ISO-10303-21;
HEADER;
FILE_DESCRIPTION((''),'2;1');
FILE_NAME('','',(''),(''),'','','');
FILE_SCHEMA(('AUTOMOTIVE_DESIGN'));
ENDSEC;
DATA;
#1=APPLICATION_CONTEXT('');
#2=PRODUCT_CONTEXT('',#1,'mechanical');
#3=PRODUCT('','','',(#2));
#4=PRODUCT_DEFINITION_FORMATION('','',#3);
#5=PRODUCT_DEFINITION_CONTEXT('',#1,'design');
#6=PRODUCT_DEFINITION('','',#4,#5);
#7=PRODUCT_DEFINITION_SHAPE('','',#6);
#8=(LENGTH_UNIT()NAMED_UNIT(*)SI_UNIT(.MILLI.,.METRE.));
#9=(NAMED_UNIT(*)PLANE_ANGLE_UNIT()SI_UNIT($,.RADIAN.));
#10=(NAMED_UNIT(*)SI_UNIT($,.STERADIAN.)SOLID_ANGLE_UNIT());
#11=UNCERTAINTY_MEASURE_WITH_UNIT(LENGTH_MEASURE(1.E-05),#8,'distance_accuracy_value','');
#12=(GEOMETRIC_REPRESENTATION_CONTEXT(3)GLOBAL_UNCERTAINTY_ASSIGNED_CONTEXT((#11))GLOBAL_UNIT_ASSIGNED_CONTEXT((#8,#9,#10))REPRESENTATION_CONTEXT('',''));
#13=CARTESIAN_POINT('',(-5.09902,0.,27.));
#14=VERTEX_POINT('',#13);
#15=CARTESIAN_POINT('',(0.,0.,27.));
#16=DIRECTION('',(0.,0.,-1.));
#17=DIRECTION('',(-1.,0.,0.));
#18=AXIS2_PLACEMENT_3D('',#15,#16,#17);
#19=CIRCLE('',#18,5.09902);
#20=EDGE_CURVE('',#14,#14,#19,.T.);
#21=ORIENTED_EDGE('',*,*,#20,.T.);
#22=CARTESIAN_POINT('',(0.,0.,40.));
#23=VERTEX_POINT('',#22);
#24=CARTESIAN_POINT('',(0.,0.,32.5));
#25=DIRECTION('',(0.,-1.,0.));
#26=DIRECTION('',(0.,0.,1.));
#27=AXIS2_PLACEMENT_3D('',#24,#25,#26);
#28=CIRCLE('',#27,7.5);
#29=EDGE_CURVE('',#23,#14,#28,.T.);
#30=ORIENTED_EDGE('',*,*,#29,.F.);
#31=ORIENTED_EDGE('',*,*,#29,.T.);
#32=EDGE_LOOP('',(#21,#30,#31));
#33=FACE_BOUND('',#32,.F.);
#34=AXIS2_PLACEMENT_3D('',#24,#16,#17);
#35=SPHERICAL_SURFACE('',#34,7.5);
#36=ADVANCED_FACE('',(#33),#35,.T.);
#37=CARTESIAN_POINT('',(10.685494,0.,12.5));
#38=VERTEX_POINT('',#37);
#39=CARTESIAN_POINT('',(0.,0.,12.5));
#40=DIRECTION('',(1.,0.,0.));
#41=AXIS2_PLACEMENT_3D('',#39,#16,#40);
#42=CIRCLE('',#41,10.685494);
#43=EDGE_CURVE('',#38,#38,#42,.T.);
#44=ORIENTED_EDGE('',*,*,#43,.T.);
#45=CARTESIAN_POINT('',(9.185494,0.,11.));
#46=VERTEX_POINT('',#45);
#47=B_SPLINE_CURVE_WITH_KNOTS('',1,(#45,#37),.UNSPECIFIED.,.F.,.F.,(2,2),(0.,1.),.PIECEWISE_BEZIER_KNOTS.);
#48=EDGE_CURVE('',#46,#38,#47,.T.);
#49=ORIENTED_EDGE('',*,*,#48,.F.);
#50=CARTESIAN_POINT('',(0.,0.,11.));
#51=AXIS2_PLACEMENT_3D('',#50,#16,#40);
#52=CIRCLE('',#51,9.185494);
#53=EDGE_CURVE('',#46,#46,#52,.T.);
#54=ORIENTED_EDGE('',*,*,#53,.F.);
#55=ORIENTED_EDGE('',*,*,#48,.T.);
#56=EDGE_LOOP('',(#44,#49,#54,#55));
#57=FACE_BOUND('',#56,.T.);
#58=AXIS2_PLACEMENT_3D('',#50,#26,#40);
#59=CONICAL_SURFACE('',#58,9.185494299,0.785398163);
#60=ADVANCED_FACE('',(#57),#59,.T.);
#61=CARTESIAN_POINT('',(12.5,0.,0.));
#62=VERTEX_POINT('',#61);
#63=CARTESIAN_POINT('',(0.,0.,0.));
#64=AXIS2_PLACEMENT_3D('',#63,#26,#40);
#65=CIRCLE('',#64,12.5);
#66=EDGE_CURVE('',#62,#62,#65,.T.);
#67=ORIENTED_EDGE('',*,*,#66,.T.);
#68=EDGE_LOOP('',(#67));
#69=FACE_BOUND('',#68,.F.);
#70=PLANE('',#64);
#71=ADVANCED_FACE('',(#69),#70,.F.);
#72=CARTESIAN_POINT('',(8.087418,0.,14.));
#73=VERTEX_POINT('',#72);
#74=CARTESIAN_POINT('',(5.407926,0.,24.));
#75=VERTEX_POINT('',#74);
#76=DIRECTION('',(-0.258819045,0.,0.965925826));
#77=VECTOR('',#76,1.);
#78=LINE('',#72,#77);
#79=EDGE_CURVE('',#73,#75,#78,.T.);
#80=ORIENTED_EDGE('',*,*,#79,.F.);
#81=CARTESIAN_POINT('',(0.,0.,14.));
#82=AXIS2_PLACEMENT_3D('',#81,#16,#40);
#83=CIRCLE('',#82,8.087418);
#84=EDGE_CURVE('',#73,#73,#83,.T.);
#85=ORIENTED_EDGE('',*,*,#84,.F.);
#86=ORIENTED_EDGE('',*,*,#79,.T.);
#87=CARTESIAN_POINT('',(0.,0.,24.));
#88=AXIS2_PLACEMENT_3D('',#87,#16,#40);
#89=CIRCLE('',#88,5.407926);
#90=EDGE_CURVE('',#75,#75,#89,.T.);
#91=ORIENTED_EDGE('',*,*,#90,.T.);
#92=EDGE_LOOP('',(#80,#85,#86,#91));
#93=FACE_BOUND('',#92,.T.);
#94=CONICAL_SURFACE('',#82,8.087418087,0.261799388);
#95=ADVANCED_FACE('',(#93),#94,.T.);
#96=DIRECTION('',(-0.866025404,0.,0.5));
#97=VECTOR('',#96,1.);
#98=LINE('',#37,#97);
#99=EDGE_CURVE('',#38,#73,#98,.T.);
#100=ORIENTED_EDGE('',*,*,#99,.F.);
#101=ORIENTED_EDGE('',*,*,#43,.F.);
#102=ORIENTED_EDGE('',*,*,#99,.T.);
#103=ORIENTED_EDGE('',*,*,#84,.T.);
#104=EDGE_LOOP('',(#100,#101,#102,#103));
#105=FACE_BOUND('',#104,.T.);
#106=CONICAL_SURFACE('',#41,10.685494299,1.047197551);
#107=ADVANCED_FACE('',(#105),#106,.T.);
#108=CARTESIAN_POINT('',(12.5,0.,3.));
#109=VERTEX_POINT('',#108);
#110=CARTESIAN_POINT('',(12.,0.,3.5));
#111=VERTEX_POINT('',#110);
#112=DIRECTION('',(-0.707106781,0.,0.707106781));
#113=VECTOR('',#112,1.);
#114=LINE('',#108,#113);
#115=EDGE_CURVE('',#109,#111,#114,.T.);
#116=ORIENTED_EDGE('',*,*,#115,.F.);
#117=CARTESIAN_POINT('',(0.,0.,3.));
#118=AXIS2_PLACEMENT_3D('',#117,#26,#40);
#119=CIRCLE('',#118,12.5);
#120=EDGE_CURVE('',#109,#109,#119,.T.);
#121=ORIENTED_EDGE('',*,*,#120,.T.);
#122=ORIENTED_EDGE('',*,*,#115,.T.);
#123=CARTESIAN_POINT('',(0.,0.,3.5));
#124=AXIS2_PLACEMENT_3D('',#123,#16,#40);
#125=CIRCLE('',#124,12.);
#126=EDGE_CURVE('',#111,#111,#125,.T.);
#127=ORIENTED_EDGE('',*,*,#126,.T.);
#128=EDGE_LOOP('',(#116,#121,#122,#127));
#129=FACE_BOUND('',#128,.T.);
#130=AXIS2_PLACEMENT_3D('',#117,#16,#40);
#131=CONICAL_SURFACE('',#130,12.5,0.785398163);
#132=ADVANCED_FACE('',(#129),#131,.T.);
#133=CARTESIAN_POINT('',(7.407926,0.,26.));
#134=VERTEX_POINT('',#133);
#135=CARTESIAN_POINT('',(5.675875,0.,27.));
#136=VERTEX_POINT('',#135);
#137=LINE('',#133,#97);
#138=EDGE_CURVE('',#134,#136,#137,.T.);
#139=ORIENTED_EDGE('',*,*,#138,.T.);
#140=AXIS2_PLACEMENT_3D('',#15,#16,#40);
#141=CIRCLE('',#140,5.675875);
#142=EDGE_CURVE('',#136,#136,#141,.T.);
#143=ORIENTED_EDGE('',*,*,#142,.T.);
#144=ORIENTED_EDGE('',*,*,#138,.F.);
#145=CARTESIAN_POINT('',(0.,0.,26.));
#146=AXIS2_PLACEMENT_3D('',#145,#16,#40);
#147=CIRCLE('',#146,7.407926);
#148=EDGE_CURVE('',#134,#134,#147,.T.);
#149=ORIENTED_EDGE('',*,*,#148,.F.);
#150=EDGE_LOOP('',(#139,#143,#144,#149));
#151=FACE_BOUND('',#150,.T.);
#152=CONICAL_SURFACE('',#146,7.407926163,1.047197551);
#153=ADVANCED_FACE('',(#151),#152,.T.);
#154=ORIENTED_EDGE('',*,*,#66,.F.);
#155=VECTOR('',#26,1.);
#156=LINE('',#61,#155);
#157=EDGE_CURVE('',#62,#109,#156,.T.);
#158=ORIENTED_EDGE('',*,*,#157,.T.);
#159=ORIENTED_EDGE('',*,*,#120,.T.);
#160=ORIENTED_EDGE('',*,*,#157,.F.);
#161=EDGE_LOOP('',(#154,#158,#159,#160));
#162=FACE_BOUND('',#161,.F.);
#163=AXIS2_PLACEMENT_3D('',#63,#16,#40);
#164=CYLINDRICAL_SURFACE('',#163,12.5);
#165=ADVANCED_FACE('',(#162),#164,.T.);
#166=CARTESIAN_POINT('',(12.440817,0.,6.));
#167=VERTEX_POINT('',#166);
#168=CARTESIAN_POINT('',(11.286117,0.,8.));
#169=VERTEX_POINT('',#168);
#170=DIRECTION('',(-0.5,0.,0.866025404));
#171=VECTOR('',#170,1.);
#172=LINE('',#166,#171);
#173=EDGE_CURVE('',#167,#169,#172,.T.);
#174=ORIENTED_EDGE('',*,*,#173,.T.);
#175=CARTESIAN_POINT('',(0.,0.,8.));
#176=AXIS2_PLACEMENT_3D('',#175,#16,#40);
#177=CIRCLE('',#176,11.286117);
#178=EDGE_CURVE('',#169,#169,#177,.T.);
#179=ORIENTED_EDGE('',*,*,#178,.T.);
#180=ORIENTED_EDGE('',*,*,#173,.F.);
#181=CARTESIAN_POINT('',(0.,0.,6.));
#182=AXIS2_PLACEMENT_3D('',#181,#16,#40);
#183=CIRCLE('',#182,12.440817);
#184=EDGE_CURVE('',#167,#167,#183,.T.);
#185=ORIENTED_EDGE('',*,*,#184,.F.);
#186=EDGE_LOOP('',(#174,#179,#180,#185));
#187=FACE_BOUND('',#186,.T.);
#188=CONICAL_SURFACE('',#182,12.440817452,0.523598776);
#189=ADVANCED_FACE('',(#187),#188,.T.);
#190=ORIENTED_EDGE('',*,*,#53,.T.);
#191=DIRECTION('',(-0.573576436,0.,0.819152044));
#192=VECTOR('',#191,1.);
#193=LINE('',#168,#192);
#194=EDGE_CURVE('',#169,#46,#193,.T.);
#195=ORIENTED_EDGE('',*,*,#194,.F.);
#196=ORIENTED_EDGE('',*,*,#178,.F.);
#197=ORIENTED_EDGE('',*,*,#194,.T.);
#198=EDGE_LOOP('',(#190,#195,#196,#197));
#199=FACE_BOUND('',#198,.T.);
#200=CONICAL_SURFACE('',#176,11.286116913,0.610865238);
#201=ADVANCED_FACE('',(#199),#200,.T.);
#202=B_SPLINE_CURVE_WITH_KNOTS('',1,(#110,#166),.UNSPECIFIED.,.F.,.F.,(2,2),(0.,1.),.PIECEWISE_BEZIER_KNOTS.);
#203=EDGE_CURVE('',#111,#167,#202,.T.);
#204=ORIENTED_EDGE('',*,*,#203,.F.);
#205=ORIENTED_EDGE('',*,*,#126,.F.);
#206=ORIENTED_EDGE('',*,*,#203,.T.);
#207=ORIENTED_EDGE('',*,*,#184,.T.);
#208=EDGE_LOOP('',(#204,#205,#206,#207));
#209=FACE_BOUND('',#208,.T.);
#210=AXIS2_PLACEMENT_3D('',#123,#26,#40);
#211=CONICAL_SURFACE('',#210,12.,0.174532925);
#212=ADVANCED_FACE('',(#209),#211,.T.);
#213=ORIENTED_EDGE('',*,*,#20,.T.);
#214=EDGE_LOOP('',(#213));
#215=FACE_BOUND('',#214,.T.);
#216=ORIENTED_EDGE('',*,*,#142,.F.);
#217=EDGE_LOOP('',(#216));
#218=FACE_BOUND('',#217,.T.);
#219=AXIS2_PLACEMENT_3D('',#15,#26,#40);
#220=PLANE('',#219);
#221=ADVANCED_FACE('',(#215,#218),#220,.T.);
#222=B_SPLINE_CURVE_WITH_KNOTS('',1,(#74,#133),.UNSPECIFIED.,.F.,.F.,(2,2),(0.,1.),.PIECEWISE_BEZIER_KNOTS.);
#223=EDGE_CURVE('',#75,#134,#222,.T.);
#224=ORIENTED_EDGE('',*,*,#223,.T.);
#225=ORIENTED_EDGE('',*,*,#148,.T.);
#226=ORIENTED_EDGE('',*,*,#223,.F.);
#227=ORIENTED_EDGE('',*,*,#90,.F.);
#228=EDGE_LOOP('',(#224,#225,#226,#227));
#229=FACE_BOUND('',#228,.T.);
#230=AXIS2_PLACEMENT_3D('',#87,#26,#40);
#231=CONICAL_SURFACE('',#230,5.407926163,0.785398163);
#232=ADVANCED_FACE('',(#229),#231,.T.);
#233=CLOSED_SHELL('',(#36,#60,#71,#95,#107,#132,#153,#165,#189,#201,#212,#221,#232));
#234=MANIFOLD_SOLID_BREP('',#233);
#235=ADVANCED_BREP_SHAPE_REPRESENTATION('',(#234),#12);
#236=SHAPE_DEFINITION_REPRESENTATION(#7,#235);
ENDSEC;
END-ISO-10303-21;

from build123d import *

# Parameters (mm, degrees)
F0_R      = 12.5
F1_DEPTH  = 3
F1_FACE_R = 12.5
F2_DEPTH  = 0.5
F2_TAPER  = 45
F2_FACE_R = 12
F3_DEPTH  = 2.5
F3_TAPER  = -10
F3_FACE_R = 12.4408174518
F4_DEPTH  = 2
F4_TAPER  = 30
F4_FACE_R = 11.2861169134
F5_DEPTH  = 3
F5_TAPER  = 35
F5_FACE_R = 9.1854942988
F6_DEPTH  = 1.5
F6_TAPER  = -45
F6_FACE_R = 10.6854942988
F7_DEPTH  = 1.5
F7_TAPER  = 60
F7_FACE_R = 8.0874180874
F8_DEPTH  = 10
F8_TAPER  = 15
F8_FACE_R = 5.4079261631
F9_DEPTH  = 2
F9_TAPER  = -45
F9_FACE_R = 7.4079261631
F10_DEPTH = 1
F10_TAPER = 60


with BuildPart() as f1:
    # F0 (on Top) → F1 (new body)
    with BuildSketch(Plane.XY):
        Circle(F0_R)
    extrude(amount=F1_DEPTH)

    # F1_face (on face) → F2 (join)
    with BuildSketch(Plane.XY.offset(3)):
        Circle(F1_FACE_R)
    extrude(amount=F2_DEPTH, taper=F2_TAPER)

    # F2_face (on face) → F3 (join)
    with BuildSketch(Plane.XY.offset(3.5)):
        Circle(F2_FACE_R)
    extrude(amount=F3_DEPTH, taper=F3_TAPER)

    # F3_face (on face) → F4 (join)
    with BuildSketch(Plane.XY.offset(6)):
        Circle(F3_FACE_R)
    extrude(amount=F4_DEPTH, taper=F4_TAPER)

    # F4_face (on face) → F5 (join)
    with BuildSketch(Plane.XY.offset(8)):
        Circle(F4_FACE_R)
    extrude(amount=F5_DEPTH, taper=F5_TAPER)

    # F5_face (on face) → F6 (join)
    with BuildSketch(Plane.XY.offset(11)):
        Circle(F5_FACE_R)
    extrude(amount=F6_DEPTH, taper=F6_TAPER)

    # F6_face (on face) → F7 (join)
    with BuildSketch(Plane.XY.offset(12.5)):
        Circle(F6_FACE_R)
    extrude(amount=F7_DEPTH, taper=F7_TAPER)

    # F7_face (on face) → F8 (join)
    with BuildSketch(Plane.XY.offset(14)):
        Circle(F7_FACE_R)
    extrude(amount=F8_DEPTH, taper=F8_TAPER)

    # F8_face (on face) → F9 (join)
    with BuildSketch(Plane.XY.offset(24)):
        Circle(F8_FACE_R)
    extrude(amount=F9_DEPTH, taper=F9_TAPER)

    # F9_face (on face) → F10 (join)
    with BuildSketch(Plane.XY.offset(26)):
        Circle(F9_FACE_R)
    extrude(amount=F10_DEPTH, taper=F10_TAPER)

    # F11 (on Front) → F12 (revolve)
    with BuildSketch(Plane.XZ):
        with BuildLine():
            ThreePointArc((0, 40), (-7.5, 32.5), (0, 25))
            Line((0, 25), (0, 40))
        make_face()
    revolve(axis=Axis((0, 0, 21.0038799897), (0, 0, 1)))


solid = f1.part
